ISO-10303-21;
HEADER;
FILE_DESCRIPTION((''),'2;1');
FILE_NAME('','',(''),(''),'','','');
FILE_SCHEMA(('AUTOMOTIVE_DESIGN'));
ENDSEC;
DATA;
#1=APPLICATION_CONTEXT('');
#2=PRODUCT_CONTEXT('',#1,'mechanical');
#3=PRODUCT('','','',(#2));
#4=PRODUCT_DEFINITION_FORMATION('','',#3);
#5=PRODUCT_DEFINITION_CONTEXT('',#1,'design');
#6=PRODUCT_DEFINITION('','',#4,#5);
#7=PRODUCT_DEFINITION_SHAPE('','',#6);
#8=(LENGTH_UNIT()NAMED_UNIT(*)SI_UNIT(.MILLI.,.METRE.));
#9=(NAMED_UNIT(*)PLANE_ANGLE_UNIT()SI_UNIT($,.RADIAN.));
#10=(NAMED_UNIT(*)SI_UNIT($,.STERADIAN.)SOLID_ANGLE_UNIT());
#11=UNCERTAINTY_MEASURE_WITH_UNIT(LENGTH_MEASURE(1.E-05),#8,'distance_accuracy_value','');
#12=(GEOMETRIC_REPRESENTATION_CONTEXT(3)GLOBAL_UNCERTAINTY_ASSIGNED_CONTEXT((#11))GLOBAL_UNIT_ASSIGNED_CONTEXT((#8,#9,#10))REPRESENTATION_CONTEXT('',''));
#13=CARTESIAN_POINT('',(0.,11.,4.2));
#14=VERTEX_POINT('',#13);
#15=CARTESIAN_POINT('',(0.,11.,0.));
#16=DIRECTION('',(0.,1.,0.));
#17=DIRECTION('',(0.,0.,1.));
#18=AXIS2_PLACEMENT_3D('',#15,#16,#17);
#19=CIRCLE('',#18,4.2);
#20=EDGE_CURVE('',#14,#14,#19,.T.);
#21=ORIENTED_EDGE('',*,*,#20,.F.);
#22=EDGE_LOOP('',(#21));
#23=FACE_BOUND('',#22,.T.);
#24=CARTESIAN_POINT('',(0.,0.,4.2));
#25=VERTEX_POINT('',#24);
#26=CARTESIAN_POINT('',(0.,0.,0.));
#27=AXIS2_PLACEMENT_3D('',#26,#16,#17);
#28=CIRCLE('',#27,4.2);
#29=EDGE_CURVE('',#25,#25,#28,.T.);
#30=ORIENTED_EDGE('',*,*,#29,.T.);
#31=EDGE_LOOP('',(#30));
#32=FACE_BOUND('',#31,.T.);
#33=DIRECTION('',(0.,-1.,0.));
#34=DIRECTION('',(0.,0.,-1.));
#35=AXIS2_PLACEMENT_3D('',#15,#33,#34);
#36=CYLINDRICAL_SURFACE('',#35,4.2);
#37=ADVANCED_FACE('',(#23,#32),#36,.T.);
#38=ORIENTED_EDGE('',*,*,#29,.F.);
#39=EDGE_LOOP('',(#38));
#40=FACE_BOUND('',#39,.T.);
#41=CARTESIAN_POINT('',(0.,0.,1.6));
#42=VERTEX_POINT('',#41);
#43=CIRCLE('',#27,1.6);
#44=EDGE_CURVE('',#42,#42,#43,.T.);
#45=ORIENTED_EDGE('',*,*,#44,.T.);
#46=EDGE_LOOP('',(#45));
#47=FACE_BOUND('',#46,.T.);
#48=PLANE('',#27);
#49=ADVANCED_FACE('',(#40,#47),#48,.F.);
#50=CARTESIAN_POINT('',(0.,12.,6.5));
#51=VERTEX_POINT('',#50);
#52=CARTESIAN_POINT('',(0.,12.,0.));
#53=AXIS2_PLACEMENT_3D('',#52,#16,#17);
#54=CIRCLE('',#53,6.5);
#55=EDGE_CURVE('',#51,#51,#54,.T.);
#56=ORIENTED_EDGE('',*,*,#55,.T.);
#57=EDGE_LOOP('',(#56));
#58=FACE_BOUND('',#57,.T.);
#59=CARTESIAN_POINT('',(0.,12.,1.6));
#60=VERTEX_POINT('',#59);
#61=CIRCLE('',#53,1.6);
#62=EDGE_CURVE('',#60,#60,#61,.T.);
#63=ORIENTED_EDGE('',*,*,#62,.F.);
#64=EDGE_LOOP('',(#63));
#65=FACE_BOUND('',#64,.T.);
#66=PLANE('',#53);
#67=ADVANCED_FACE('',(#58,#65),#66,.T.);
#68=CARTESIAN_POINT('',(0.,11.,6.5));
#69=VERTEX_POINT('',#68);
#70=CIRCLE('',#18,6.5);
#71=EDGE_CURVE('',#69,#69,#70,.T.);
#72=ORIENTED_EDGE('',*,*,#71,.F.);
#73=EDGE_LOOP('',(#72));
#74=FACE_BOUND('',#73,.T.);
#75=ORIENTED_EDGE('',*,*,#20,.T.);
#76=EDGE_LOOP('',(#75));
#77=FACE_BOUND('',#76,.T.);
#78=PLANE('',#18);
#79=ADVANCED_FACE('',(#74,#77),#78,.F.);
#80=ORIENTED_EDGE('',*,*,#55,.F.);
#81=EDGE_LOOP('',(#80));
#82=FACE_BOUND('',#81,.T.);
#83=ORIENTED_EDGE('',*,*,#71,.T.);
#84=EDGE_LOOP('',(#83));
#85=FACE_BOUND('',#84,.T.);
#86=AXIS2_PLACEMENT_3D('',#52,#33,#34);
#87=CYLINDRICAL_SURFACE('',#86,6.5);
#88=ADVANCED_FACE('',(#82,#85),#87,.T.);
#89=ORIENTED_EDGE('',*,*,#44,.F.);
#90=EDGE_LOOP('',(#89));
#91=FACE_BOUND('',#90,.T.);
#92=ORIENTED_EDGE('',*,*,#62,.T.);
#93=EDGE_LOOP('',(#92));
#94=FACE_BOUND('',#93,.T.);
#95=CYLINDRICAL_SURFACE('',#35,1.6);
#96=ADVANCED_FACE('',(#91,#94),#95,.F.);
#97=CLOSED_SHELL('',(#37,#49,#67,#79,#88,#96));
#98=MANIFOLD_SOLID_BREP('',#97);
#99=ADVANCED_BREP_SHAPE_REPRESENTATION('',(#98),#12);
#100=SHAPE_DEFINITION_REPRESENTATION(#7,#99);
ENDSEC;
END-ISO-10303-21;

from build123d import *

# Parameters (mm, degrees)
SKETCH1_R           = 4.2
SKETCH1_R_2         = 1.6
BOSS_EXTRUDE1_DEPTH = 11
SKETCH2_R           = 6.5
SKETCH2_R_2         = 1.6
BOSS_EXTRUDE2_DEPTH = 1


with BuildPart() as part:
    # Sketch1 → Boss-Extrude1 (new body)
    with BuildSketch(Plane(origin=(0, 0, 0), x_dir=(1, 0, 0), z_dir=(0, 1, 0))):
        Circle(SKETCH1_R)
        Circle(SKETCH1_R_2, mode=Mode.SUBTRACT)
    extrude(amount=BOSS_EXTRUDE1_DEPTH)

    # Sketch2 → Boss-Extrude2 (add)
    with BuildSketch(Plane(origin=(0, 11, 0), x_dir=(1, 0, 0), z_dir=(0, 1, 0))):
        Circle(SKETCH2_R)
        Circle(SKETCH2_R_2, mode=Mode.SUBTRACT)
    extrude(amount=BOSS_EXTRUDE2_DEPTH)


solid = part.part
